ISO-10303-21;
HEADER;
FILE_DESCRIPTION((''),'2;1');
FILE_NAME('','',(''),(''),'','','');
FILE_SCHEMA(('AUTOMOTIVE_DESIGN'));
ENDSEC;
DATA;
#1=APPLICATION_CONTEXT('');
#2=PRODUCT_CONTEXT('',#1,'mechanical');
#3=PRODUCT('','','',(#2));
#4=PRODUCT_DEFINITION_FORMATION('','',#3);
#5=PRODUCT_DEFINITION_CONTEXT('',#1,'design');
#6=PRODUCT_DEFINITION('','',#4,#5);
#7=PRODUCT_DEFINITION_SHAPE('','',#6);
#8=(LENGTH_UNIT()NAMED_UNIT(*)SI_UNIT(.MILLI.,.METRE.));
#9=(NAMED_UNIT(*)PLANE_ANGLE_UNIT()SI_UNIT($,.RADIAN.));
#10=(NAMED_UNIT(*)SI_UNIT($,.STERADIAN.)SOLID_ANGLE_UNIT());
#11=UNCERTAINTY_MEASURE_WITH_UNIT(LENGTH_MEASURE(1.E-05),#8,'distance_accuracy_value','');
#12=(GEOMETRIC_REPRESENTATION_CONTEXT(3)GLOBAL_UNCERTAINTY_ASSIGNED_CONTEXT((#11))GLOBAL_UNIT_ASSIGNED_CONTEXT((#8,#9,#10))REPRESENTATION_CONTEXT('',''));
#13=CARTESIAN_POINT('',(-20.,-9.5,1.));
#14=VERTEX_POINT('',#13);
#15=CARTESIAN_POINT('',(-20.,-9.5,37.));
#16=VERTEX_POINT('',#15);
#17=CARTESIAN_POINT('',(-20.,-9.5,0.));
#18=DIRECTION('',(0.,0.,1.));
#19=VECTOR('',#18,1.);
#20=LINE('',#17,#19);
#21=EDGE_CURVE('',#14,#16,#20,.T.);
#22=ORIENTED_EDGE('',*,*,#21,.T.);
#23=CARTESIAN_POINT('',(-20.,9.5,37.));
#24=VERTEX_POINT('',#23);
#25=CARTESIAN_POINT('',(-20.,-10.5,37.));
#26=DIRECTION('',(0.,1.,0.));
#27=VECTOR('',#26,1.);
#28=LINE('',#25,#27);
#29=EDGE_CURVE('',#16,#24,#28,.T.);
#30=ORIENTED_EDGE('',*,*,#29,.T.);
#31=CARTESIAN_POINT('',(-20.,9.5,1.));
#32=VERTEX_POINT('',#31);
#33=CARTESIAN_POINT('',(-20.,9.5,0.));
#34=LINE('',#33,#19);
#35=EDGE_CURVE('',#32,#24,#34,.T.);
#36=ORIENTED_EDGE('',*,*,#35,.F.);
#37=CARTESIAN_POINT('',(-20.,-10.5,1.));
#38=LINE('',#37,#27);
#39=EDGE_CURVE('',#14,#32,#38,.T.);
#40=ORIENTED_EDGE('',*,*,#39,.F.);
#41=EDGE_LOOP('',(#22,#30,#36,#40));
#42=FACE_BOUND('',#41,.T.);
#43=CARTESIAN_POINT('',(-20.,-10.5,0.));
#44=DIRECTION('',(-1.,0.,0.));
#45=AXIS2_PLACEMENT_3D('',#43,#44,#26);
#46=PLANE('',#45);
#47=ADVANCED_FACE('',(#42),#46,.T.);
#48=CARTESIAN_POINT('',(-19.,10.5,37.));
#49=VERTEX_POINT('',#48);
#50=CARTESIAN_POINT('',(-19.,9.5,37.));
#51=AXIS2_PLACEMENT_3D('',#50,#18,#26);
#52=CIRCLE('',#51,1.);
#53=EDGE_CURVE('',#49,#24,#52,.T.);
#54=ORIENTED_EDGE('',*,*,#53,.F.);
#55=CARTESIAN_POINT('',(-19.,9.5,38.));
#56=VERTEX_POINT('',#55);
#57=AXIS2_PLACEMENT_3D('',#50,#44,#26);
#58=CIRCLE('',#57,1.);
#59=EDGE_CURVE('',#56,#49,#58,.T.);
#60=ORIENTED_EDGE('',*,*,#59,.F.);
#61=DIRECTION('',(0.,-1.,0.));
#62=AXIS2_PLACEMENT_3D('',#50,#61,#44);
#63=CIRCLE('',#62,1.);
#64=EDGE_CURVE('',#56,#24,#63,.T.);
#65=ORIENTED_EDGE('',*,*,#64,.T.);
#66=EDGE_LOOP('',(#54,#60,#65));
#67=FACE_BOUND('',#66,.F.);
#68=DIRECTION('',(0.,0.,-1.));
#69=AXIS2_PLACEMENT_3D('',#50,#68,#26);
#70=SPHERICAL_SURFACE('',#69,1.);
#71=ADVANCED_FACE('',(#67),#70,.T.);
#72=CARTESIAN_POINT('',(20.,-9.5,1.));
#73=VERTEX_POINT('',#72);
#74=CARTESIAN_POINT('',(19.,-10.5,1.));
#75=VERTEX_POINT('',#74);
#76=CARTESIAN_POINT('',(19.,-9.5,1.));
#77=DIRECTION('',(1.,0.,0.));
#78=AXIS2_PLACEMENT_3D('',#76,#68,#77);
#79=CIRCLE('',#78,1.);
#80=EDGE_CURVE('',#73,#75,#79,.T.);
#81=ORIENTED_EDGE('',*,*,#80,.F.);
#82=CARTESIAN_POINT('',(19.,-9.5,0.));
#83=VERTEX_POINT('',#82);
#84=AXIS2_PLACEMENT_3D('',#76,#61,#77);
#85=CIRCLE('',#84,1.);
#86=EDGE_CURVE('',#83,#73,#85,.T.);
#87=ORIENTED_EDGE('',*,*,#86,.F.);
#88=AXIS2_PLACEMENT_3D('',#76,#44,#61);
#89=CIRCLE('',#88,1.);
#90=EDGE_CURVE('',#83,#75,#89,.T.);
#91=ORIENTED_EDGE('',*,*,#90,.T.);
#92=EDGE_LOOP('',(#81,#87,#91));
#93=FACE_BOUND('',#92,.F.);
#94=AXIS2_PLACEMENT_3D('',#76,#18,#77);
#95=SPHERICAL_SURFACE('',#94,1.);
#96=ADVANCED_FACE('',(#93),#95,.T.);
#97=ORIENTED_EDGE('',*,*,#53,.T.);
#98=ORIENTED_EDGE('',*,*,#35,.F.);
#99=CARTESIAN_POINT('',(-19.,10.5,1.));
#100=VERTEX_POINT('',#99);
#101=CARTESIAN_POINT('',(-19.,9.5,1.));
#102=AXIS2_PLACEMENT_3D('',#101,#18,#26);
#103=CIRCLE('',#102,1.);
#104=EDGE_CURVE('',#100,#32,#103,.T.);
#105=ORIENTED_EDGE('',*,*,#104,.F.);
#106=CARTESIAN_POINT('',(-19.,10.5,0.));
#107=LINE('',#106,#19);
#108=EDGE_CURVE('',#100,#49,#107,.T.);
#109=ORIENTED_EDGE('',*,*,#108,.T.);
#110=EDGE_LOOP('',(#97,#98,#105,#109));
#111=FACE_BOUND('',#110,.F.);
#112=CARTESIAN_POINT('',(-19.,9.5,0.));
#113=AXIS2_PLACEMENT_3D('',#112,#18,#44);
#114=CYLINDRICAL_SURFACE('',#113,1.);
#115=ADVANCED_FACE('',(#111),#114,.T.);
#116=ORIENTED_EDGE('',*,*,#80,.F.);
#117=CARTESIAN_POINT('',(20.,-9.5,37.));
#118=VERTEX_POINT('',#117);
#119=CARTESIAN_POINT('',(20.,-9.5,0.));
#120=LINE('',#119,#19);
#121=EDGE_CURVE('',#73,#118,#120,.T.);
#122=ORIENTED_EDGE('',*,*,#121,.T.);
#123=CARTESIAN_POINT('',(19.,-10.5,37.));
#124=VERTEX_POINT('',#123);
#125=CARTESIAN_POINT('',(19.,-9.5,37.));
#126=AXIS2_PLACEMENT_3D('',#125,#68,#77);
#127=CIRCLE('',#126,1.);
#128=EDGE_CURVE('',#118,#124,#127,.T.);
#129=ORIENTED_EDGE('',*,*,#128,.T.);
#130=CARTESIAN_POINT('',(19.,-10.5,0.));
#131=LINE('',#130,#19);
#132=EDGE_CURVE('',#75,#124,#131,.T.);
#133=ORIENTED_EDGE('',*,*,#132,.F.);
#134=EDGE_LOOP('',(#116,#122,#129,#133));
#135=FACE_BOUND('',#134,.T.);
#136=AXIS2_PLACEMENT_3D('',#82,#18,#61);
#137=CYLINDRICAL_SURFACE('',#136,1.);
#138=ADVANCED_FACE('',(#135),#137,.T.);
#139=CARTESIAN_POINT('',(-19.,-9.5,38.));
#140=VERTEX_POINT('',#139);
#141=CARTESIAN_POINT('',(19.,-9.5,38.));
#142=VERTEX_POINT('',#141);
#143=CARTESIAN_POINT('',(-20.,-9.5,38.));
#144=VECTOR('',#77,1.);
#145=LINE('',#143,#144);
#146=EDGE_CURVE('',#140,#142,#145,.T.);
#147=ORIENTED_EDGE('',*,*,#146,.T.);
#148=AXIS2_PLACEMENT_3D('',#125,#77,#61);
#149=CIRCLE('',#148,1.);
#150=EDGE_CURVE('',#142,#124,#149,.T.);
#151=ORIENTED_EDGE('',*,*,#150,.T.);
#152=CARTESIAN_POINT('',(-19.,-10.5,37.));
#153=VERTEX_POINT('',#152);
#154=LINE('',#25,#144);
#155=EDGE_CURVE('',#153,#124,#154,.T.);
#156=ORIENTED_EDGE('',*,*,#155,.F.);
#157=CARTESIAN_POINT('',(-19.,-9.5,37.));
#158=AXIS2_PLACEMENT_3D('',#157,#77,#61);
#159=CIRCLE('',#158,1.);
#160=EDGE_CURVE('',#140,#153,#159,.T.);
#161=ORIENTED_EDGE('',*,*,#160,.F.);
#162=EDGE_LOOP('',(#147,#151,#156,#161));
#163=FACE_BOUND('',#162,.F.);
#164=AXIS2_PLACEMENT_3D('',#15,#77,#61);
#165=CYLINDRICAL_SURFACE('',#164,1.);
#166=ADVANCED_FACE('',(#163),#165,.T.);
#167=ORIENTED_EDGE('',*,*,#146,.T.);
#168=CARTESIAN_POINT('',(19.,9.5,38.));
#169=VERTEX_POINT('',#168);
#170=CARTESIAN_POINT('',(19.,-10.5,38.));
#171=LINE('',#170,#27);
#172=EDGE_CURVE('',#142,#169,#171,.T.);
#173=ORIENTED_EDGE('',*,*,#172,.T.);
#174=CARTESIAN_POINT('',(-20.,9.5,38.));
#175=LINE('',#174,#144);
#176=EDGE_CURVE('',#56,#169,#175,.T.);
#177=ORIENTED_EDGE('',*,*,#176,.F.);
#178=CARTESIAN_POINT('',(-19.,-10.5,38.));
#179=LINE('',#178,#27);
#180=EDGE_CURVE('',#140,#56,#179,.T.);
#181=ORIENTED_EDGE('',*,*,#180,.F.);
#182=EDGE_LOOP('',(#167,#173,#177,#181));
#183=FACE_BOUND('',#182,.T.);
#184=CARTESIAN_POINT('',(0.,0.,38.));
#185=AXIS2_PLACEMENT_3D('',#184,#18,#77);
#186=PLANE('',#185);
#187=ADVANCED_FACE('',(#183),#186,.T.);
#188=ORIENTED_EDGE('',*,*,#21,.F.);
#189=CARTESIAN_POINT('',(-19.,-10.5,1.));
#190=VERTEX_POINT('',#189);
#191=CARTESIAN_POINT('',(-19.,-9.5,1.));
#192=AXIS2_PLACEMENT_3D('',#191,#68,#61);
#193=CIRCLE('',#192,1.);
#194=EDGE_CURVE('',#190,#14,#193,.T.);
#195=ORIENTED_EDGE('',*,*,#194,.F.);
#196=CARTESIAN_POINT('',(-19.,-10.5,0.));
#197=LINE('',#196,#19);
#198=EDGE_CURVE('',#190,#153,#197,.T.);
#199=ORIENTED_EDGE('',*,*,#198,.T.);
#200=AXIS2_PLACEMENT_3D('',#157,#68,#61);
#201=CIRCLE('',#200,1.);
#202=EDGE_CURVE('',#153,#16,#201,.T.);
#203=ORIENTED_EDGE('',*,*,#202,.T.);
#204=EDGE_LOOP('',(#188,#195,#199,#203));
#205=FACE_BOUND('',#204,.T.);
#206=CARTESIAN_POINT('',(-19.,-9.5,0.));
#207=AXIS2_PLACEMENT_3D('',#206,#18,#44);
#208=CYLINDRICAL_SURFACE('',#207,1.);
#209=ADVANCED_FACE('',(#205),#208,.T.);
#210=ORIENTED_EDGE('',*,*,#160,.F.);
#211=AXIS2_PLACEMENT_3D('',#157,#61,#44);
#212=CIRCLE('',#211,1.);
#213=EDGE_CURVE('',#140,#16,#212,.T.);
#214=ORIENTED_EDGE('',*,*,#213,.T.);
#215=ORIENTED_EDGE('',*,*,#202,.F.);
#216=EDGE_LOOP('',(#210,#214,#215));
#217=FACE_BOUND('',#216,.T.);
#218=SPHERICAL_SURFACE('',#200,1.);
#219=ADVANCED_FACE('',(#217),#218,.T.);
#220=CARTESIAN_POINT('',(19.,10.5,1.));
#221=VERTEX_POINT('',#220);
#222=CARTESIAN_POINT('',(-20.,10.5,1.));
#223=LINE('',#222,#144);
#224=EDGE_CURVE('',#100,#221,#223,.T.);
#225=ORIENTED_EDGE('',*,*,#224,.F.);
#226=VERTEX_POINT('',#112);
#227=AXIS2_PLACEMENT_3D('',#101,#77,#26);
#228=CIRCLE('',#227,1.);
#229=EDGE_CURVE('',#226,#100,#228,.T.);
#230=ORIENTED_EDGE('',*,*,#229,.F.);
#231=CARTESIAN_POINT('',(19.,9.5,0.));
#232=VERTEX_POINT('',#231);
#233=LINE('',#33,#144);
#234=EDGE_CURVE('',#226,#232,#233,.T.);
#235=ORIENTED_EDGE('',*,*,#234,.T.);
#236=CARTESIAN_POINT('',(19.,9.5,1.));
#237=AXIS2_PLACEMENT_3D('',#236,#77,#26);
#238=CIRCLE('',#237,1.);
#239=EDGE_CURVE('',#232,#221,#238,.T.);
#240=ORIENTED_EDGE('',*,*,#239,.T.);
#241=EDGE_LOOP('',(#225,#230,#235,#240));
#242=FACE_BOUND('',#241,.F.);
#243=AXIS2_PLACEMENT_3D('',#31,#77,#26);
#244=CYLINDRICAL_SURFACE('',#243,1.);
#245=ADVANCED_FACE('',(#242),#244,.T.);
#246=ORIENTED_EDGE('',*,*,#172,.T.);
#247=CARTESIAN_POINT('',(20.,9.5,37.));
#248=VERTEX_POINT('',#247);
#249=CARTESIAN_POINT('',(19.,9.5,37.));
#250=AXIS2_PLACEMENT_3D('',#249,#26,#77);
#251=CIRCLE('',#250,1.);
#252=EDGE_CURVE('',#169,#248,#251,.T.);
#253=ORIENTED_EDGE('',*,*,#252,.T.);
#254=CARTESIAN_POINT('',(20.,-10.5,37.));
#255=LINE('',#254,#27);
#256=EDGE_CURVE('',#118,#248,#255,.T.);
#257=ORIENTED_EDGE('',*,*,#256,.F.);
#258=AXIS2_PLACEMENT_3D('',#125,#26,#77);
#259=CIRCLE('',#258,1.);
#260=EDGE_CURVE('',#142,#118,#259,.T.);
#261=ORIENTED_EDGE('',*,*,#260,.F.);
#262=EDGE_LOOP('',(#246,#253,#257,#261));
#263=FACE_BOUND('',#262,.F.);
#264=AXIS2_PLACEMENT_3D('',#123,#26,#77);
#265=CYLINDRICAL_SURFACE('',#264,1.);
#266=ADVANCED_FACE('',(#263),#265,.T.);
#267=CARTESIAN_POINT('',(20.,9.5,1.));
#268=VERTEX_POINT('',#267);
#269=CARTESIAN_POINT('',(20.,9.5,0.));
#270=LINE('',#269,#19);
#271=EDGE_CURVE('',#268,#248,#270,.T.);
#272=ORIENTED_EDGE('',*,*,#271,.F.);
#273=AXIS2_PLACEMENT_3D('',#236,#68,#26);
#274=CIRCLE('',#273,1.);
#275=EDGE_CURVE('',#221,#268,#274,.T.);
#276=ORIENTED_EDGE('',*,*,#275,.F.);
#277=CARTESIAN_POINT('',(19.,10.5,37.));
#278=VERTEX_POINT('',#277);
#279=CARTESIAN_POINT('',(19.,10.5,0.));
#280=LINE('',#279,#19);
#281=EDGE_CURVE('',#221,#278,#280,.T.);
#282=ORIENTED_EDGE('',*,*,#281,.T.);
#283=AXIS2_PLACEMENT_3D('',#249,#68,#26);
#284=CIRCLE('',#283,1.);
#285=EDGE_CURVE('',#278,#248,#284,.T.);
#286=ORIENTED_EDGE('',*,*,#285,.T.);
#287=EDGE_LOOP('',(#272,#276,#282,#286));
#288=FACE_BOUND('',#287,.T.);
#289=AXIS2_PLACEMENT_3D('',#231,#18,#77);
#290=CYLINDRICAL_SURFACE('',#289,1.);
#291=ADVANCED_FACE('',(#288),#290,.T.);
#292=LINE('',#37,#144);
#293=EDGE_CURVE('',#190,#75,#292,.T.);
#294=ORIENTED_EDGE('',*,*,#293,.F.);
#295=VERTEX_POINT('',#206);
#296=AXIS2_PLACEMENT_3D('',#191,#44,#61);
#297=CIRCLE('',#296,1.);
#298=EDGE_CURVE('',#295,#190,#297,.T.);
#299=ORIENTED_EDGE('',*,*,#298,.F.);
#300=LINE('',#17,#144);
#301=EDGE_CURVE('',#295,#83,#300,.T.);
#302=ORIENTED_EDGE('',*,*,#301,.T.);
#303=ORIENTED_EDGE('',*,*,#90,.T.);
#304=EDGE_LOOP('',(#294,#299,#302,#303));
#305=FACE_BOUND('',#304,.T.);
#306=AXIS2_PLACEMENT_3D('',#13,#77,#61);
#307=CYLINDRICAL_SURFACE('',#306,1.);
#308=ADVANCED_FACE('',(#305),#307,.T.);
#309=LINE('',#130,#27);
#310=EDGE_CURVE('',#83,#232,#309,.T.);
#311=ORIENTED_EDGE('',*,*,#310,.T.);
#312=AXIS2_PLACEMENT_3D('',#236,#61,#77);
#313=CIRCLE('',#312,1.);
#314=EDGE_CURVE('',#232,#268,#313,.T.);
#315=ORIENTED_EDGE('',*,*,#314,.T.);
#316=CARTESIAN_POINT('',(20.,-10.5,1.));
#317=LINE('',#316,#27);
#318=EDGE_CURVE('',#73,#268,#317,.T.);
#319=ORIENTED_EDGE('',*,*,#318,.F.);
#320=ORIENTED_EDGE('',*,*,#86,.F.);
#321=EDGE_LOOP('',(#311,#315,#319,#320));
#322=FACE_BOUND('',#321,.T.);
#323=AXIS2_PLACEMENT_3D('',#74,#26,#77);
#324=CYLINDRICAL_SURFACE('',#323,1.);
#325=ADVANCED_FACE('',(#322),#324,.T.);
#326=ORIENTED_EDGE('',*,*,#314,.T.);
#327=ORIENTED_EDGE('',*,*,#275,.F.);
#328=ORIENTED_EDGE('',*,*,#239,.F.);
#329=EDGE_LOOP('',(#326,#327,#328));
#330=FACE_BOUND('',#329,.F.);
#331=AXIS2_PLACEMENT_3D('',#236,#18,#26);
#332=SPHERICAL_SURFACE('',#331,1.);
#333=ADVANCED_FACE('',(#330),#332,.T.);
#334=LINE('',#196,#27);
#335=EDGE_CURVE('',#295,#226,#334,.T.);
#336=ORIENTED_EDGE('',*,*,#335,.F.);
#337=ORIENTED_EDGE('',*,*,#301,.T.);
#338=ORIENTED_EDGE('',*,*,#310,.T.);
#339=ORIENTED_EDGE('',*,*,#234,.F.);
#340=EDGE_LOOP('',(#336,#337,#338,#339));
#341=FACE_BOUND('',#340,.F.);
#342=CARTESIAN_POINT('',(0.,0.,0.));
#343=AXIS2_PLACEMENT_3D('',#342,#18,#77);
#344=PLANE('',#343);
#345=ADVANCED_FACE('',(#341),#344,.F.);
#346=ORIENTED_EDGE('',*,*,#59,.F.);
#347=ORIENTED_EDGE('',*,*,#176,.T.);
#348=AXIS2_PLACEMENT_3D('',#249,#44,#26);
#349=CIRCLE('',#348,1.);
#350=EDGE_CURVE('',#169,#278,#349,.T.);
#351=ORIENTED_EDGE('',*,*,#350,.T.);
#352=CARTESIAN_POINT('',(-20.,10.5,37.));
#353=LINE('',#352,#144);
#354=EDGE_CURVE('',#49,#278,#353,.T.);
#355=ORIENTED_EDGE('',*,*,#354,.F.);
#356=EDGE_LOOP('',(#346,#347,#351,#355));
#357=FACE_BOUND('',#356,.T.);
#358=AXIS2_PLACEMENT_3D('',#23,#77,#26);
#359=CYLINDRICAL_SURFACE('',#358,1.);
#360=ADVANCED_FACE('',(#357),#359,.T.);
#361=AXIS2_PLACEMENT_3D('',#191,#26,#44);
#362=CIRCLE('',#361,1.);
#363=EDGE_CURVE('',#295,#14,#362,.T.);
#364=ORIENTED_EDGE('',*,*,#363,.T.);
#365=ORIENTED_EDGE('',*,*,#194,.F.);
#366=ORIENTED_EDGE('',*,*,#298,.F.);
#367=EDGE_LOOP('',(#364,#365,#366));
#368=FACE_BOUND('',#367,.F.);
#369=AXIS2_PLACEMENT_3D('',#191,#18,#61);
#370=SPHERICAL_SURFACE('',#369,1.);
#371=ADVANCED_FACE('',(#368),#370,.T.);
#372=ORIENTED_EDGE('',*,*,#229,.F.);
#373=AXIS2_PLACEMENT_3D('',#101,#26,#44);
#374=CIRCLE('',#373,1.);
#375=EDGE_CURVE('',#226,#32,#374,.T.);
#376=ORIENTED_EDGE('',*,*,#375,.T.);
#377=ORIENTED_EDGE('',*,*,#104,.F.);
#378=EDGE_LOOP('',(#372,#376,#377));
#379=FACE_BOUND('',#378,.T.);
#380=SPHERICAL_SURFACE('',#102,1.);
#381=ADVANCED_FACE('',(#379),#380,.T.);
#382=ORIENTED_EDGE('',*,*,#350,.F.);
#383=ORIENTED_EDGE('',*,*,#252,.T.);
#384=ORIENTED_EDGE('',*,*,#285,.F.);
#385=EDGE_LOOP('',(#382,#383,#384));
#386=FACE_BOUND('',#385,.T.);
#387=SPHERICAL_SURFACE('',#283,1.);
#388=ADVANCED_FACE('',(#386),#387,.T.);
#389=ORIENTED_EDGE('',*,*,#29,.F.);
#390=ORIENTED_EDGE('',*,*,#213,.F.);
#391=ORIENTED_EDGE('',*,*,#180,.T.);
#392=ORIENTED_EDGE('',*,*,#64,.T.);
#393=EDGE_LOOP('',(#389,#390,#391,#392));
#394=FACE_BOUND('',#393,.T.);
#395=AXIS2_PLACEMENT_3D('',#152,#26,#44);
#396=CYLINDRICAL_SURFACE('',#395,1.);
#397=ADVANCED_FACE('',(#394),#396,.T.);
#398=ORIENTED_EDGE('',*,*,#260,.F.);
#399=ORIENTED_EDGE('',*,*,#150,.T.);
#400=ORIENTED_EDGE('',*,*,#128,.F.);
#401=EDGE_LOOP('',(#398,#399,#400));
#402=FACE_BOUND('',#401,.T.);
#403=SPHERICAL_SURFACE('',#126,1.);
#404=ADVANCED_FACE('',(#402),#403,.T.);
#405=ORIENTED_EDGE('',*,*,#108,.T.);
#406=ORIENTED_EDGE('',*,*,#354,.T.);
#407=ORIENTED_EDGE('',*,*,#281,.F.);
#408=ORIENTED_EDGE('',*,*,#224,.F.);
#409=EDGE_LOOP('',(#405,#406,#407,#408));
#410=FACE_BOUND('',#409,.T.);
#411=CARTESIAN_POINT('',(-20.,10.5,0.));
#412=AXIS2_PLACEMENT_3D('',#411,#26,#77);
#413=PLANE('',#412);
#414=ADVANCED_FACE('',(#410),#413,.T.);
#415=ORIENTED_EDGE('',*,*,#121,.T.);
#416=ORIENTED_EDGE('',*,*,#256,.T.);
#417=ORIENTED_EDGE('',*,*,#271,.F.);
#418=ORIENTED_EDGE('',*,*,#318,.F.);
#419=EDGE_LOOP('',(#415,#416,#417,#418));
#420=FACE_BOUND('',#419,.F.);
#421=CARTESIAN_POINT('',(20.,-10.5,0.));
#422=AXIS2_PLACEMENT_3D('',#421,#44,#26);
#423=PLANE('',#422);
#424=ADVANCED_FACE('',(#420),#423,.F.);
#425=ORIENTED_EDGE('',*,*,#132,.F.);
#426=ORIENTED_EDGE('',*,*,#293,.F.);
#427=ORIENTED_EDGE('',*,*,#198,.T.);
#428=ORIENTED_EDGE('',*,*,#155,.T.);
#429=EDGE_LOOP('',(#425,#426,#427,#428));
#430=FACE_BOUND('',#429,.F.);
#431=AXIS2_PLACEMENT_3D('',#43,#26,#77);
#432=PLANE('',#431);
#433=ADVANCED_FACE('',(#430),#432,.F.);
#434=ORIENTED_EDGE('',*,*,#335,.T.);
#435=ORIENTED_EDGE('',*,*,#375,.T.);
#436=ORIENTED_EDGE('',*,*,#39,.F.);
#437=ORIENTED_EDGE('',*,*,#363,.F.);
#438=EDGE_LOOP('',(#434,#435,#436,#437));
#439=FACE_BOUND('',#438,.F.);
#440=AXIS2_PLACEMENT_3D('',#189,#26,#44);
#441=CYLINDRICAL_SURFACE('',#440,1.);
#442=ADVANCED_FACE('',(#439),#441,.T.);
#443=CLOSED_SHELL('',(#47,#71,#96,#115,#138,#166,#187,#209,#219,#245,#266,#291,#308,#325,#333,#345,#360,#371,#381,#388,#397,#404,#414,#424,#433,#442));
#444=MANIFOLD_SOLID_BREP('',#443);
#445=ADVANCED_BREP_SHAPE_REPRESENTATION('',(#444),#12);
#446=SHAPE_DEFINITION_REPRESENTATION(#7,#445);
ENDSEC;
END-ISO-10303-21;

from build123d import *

# Parameters (mm, degrees)
SKETCH_W  = 40
SKETCH_H  = 21
PAD_DEPTH = 38
FILLET_R  = 1


with BuildPart() as part:
    # Sketch → Pad (new body)
    with BuildSketch(Plane.XY):
        Rectangle(SKETCH_W, SKETCH_H)
    extrude(amount=PAD_DEPTH)

    # Fillet
    fillet_edges = [part.edges().sort_by_distance(p)[0] for p in [
        (-20, 10.5, 19),
        (20, 10.5, 19),
        (0, 10.5, 0),
        (0, 10.5, 38),
        (20, -10.5, 19),
        (20, 0, 0),
        (20, 0, 38),
        (-20, -10.5, 19),
        (0, -10.5, 0),
        (0, -10.5, 38),
        (-20, 0, 0),
        (-20, 0, 38),
    ]]
    fillet(fillet_edges, radius=FILLET_R)


solid = part.part
